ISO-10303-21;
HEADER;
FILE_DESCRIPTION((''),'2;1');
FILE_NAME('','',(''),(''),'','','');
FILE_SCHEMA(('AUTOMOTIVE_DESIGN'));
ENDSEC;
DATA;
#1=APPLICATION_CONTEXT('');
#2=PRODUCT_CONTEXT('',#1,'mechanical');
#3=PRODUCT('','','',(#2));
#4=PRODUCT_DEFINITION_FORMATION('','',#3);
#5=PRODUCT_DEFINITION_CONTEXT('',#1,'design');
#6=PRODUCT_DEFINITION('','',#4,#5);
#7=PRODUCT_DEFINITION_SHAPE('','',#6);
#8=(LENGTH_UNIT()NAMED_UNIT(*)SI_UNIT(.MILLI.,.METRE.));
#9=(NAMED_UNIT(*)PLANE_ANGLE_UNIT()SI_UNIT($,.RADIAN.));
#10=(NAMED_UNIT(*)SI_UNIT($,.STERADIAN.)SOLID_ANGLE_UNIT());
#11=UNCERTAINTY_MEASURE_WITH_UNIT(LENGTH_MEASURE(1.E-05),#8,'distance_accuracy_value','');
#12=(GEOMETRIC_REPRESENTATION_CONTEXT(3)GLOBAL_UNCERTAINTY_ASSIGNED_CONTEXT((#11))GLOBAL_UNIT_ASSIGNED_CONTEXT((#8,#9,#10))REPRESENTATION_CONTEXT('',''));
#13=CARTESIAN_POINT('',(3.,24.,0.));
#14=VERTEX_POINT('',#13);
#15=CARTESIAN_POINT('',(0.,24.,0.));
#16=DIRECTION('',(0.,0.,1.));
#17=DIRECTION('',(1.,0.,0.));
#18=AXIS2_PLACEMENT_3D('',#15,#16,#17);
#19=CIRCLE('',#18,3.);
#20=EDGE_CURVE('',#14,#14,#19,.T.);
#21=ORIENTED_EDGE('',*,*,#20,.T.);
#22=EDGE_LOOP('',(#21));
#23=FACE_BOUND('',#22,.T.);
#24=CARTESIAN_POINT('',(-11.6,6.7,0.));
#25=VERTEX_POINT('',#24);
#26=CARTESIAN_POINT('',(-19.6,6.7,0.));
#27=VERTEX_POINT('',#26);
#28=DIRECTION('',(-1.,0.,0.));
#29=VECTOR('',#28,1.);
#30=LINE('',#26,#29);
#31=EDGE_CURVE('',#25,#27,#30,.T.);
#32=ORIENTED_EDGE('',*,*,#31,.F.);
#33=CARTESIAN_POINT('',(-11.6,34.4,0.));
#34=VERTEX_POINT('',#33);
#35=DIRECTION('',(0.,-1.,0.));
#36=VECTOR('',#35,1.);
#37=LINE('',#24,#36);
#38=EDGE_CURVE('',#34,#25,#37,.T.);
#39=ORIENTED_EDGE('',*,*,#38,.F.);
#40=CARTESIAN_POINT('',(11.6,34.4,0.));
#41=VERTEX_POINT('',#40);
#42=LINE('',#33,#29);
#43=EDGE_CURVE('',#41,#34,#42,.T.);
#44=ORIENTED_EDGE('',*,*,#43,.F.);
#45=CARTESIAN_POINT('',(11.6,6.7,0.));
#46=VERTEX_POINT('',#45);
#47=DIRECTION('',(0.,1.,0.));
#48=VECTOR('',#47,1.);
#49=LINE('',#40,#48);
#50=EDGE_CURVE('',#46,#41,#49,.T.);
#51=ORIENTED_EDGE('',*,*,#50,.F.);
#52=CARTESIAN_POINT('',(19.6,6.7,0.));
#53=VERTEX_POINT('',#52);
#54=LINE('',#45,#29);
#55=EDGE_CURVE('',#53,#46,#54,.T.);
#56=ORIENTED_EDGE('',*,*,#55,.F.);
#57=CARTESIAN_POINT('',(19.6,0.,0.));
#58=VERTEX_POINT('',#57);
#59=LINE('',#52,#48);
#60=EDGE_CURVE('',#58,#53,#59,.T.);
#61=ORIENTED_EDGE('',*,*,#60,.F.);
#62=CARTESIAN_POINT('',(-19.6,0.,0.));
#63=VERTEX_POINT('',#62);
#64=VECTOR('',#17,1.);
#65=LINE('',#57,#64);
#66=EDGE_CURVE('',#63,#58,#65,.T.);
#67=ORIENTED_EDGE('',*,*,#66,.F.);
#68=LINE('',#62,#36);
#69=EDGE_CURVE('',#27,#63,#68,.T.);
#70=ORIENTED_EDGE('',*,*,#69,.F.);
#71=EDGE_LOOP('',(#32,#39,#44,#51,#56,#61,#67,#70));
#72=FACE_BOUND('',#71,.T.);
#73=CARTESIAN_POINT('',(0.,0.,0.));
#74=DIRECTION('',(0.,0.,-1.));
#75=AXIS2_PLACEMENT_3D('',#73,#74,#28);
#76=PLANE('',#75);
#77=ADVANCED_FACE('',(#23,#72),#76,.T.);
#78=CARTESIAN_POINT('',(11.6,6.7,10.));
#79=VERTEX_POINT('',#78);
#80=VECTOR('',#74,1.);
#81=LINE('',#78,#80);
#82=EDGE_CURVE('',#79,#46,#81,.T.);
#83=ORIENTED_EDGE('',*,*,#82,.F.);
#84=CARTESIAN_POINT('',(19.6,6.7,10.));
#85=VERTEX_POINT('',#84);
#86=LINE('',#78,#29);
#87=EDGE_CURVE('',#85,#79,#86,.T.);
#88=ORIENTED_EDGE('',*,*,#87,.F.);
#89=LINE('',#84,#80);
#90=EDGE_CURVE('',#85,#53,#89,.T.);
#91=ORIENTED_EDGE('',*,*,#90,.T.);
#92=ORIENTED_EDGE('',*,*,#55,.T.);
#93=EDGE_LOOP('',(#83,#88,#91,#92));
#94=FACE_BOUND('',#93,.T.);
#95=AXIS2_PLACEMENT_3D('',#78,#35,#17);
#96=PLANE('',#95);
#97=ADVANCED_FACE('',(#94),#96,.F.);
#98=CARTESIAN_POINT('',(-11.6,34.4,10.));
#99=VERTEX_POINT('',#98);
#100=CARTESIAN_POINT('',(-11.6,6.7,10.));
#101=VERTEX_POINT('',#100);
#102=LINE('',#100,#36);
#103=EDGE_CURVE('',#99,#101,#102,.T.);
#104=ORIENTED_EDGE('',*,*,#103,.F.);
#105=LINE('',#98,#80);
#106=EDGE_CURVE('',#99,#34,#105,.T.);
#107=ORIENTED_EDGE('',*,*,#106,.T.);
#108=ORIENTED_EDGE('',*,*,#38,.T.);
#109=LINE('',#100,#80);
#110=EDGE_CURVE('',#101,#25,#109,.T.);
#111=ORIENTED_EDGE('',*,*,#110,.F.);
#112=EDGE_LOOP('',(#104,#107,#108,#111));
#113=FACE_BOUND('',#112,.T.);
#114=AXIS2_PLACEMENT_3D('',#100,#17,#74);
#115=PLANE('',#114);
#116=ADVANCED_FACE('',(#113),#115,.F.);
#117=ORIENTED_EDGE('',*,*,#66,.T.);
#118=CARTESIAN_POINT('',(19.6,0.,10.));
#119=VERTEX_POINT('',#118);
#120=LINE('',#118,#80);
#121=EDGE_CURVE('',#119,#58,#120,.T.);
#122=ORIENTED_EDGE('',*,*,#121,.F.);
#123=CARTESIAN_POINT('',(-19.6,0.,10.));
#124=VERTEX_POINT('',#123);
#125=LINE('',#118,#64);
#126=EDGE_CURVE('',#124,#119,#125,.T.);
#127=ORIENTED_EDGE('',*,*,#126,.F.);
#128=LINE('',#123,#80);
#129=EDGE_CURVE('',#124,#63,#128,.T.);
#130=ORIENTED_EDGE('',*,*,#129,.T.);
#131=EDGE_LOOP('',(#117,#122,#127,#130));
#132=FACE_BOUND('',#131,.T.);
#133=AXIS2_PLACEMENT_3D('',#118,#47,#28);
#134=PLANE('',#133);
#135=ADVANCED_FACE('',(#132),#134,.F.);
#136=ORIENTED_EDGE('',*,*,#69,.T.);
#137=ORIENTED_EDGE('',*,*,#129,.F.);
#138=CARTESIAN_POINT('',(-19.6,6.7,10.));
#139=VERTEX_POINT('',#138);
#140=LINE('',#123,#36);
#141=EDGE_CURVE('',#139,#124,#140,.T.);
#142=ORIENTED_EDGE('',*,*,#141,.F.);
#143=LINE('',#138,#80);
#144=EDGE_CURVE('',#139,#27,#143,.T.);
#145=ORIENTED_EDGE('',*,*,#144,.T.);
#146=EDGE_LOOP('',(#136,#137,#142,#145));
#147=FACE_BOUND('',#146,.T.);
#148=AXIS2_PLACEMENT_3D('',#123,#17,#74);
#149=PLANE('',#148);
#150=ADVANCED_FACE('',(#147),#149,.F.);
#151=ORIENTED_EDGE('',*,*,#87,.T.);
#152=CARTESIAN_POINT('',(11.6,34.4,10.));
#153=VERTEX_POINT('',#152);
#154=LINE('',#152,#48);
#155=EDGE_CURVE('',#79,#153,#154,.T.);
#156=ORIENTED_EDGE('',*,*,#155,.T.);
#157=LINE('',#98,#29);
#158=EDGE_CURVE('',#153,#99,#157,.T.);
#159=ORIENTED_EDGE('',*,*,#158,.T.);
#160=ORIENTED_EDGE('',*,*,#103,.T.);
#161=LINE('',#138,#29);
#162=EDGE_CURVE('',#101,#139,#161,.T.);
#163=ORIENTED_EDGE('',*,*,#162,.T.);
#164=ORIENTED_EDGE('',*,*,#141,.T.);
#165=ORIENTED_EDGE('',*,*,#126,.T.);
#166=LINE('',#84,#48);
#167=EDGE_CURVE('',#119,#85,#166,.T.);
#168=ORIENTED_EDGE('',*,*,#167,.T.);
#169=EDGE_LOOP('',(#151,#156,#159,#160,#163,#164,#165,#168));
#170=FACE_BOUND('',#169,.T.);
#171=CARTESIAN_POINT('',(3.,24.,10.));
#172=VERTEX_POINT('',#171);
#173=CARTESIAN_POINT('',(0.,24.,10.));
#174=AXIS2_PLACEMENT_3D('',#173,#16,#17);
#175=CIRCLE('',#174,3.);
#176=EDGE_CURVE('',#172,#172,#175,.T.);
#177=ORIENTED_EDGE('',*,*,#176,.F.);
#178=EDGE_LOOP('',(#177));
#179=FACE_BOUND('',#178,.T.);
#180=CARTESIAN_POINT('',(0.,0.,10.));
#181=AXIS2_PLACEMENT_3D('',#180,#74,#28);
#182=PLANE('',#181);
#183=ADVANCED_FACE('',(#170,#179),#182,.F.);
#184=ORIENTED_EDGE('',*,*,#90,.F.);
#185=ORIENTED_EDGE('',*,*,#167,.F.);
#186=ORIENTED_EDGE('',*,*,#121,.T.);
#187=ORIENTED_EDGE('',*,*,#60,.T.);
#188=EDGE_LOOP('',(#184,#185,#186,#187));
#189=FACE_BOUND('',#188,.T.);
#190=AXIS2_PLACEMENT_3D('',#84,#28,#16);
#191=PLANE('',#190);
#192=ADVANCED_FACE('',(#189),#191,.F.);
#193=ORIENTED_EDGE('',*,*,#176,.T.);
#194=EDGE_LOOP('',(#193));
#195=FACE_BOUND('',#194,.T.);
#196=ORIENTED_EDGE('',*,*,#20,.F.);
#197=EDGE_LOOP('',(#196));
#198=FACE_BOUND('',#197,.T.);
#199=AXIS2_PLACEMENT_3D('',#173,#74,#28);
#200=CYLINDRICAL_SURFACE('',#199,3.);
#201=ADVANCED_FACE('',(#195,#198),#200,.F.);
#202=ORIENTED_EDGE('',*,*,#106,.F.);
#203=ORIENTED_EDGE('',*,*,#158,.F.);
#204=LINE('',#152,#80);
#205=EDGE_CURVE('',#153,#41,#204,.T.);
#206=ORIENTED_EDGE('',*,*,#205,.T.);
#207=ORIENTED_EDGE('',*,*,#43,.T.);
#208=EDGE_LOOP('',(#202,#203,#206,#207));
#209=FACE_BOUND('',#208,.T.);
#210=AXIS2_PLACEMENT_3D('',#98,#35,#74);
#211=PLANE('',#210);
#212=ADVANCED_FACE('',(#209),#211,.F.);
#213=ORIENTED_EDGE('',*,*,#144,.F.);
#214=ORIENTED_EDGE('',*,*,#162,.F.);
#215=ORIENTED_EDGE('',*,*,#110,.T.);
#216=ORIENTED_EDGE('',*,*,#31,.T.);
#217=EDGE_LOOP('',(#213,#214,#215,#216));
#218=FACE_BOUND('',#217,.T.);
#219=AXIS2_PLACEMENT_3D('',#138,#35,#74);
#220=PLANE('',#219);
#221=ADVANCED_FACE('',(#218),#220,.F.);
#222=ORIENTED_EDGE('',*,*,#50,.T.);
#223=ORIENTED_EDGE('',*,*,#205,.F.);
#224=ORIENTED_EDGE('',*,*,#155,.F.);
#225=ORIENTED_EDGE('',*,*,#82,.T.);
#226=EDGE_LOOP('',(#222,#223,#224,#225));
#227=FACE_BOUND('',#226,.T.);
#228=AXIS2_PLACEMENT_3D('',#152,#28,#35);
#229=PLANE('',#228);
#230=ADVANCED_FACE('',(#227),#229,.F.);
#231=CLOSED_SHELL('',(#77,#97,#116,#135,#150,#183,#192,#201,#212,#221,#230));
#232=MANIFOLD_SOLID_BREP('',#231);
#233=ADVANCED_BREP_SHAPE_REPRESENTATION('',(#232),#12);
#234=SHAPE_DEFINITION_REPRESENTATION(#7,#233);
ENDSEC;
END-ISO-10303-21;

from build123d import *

# Parameters (mm, degrees)
CROQUIS1_R              = 3
SALIENTE_EXTRUIR1_DEPTH = 10


with BuildPart() as part:
    # Croquis1 → Saliente-Extruir1 (new body)
    with BuildSketch(Plane.XY):
        Polygon((-19.6, 0), (-19.6, 6.7), (-11.6, 6.7), (-11.6, 34.4), (11.6, 34.4), (11.6, 6.7), (19.6, 6.7), (19.6, 0), align=None)
        with Locations((0, 24)):
            Circle(CROQUIS1_R, mode=Mode.SUBTRACT)
    extrude(amount=SALIENTE_EXTRUIR1_DEPTH)


solid = part.part
